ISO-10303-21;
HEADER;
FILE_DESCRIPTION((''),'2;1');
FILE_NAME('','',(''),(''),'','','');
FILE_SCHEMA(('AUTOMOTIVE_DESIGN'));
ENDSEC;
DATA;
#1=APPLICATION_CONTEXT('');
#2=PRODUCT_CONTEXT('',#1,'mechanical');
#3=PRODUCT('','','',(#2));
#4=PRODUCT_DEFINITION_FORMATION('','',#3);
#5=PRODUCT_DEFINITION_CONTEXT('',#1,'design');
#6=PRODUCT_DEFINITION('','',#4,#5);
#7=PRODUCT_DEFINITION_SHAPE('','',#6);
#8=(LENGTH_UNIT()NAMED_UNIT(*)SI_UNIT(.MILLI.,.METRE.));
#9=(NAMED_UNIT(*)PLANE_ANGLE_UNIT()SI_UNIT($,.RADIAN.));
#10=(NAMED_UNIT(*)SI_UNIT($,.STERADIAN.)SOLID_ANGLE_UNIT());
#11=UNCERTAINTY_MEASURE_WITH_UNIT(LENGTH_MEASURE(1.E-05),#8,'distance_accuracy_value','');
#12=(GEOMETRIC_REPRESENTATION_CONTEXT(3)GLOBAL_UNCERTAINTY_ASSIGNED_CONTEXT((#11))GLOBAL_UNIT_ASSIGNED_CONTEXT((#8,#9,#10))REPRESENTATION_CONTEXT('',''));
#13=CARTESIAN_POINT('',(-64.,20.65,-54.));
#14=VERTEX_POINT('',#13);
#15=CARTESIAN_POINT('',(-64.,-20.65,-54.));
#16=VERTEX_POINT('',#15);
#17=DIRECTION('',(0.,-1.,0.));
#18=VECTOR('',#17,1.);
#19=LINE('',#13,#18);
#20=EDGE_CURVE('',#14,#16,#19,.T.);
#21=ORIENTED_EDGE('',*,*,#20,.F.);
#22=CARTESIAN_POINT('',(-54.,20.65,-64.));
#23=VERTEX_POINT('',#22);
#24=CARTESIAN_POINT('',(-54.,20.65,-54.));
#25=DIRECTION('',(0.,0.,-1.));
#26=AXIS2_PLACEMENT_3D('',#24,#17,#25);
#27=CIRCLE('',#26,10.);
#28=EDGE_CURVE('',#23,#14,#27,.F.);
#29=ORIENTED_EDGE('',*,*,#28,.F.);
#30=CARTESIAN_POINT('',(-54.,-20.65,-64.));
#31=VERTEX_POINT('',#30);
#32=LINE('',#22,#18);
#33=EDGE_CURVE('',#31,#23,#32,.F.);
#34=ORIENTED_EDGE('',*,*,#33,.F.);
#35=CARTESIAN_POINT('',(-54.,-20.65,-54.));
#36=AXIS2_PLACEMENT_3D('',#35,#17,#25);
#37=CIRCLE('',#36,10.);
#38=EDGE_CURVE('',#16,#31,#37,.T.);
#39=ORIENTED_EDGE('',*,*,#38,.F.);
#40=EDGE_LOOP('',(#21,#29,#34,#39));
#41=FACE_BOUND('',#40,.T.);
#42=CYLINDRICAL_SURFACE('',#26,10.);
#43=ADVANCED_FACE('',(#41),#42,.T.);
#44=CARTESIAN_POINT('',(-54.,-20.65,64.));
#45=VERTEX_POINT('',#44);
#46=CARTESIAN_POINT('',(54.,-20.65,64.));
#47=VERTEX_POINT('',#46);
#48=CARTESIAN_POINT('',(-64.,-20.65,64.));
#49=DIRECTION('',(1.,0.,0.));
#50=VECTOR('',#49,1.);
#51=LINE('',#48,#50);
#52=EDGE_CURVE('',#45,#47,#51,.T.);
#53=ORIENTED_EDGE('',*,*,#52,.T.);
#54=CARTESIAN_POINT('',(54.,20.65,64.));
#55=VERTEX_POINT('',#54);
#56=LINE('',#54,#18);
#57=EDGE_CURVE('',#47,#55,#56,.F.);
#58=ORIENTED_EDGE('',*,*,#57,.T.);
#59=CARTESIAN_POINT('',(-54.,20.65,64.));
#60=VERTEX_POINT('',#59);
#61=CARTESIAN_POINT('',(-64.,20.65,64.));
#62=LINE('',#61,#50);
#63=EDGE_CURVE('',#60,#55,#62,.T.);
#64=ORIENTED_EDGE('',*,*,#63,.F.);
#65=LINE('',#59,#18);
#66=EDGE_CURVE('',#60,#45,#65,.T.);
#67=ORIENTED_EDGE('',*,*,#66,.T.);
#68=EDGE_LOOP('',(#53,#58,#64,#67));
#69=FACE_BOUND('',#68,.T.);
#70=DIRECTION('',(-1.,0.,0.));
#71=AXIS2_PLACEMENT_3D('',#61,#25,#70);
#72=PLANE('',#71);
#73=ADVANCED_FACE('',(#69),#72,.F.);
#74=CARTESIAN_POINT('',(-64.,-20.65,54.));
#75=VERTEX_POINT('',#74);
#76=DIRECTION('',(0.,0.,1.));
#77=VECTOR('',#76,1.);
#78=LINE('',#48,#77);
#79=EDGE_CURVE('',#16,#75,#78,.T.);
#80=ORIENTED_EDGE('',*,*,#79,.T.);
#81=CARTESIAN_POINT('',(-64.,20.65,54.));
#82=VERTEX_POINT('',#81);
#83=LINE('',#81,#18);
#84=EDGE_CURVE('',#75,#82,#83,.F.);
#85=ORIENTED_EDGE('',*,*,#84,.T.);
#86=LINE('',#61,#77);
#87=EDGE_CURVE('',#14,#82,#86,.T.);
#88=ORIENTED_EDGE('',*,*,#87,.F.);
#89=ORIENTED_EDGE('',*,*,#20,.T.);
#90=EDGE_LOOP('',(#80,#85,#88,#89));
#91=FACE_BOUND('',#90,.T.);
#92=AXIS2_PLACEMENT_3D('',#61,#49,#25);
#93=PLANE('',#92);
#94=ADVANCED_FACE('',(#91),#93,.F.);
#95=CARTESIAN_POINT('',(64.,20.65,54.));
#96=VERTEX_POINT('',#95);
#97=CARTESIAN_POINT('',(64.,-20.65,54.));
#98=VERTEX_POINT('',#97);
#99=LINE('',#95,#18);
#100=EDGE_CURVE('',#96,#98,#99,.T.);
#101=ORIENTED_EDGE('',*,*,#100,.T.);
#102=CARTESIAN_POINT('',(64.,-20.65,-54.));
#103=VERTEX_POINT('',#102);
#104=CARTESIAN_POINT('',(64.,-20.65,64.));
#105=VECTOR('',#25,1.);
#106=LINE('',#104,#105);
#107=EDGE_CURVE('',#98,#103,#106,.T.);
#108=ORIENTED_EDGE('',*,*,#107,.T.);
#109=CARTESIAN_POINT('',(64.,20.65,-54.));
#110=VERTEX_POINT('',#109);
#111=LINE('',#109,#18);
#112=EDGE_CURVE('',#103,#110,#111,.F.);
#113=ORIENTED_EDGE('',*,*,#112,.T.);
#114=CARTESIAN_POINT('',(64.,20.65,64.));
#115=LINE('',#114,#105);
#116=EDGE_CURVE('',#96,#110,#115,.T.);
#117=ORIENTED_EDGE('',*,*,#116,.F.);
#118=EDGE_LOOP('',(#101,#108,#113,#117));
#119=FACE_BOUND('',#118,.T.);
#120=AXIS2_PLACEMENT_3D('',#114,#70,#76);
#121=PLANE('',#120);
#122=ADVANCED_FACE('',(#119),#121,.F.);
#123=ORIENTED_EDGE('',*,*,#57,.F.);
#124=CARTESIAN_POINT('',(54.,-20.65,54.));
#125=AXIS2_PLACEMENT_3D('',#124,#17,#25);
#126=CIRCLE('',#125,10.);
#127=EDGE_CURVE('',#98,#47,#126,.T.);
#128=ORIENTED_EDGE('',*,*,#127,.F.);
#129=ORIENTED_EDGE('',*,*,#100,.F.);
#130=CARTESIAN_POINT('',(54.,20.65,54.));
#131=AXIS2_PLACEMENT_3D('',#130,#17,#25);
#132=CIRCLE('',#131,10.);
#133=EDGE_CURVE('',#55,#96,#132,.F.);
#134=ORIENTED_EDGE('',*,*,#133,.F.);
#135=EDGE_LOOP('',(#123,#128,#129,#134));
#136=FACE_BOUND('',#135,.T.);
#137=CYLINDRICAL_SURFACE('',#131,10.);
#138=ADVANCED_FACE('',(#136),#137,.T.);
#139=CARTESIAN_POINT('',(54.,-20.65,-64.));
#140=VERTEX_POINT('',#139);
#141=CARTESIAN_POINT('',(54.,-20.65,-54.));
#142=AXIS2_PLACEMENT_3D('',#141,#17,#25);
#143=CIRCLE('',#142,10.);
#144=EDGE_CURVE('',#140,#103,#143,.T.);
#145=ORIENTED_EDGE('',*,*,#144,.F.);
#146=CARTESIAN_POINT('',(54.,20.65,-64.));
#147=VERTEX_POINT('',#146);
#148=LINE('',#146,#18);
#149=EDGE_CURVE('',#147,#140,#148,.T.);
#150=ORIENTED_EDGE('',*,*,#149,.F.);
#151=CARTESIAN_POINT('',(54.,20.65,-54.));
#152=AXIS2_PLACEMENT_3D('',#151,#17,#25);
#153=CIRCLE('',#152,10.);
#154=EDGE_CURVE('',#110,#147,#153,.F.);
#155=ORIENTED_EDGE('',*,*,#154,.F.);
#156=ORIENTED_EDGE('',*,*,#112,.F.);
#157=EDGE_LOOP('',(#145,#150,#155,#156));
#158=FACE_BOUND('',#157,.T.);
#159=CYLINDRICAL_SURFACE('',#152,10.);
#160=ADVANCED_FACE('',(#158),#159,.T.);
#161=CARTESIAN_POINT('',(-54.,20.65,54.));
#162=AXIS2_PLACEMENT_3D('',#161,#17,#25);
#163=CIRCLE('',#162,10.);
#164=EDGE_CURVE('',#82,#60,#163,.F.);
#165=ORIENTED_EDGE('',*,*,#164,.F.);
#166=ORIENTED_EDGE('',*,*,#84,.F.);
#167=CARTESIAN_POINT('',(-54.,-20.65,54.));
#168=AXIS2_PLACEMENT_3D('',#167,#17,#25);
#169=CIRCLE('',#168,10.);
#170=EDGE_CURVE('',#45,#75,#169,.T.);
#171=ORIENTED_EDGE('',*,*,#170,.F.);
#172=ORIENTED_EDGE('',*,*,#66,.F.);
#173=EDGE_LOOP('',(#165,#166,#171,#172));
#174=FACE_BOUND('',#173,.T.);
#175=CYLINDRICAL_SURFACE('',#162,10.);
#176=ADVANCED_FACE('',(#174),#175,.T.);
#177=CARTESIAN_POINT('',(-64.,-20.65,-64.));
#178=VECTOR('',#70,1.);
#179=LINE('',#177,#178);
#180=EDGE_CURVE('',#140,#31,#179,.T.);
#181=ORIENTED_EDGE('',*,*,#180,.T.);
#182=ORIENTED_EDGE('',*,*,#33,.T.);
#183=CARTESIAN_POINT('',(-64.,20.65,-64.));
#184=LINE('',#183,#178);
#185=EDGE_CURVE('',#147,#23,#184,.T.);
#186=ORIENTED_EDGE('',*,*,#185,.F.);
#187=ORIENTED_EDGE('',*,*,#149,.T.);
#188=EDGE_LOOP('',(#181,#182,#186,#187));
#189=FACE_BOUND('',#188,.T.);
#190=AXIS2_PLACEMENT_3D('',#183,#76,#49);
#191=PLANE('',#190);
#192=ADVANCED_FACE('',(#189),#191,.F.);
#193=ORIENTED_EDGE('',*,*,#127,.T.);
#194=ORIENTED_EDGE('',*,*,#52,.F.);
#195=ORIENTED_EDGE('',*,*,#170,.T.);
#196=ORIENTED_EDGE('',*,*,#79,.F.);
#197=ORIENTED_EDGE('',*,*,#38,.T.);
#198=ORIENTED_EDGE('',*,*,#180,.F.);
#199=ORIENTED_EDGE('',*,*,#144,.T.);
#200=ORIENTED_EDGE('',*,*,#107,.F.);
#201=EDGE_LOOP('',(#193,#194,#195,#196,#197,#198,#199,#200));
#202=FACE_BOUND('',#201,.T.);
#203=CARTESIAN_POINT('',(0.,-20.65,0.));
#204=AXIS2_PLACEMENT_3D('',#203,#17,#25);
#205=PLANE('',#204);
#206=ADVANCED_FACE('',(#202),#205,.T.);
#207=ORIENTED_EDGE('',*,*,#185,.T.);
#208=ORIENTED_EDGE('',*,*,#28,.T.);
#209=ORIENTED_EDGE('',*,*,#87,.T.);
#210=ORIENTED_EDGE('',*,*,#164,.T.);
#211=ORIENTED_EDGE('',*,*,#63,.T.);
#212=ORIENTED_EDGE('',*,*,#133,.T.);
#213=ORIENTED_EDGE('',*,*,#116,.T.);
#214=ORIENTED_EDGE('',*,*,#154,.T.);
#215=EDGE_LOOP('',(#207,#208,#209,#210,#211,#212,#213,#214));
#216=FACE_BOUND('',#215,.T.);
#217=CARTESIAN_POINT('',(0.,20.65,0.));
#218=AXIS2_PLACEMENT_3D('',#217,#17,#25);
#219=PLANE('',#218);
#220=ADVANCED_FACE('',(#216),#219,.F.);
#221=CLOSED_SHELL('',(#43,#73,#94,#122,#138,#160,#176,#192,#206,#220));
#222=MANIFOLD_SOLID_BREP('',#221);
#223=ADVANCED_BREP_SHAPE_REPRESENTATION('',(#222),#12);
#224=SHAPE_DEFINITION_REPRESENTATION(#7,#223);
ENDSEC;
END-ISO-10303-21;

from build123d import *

# Parameters (mm, degrees)
SKETCH_1_W      = 128
SKETCH_1_H      = 128
EXTRUDE_1_DEPTH = 20.65
FILLET_1_R      = 10


with BuildPart() as part:
    # ｽｹｯﾁ1 → ﾎﾞｽ - 押し出し1 (new, symmetric)
    with BuildSketch(Plane(origin=(0, 0, 0), x_dir=(1, 0, 0), z_dir=(0, 1, 0))):
        Rectangle(SKETCH_1_W, SKETCH_1_H)
    extrude(amount=EXTRUDE_1_DEPTH, both=True)

    # ﾌｨﾚｯﾄ1
    fillet_1_edges = [part.edges().sort_by_distance(p)[0] for p in [
        (64, 0, 64),
        (-64, 0, 64),
        (-64, 0, -64),
        (64, 0, -64),
    ]]
    fillet(fillet_1_edges, radius=FILLET_1_R)


solid = part.part
